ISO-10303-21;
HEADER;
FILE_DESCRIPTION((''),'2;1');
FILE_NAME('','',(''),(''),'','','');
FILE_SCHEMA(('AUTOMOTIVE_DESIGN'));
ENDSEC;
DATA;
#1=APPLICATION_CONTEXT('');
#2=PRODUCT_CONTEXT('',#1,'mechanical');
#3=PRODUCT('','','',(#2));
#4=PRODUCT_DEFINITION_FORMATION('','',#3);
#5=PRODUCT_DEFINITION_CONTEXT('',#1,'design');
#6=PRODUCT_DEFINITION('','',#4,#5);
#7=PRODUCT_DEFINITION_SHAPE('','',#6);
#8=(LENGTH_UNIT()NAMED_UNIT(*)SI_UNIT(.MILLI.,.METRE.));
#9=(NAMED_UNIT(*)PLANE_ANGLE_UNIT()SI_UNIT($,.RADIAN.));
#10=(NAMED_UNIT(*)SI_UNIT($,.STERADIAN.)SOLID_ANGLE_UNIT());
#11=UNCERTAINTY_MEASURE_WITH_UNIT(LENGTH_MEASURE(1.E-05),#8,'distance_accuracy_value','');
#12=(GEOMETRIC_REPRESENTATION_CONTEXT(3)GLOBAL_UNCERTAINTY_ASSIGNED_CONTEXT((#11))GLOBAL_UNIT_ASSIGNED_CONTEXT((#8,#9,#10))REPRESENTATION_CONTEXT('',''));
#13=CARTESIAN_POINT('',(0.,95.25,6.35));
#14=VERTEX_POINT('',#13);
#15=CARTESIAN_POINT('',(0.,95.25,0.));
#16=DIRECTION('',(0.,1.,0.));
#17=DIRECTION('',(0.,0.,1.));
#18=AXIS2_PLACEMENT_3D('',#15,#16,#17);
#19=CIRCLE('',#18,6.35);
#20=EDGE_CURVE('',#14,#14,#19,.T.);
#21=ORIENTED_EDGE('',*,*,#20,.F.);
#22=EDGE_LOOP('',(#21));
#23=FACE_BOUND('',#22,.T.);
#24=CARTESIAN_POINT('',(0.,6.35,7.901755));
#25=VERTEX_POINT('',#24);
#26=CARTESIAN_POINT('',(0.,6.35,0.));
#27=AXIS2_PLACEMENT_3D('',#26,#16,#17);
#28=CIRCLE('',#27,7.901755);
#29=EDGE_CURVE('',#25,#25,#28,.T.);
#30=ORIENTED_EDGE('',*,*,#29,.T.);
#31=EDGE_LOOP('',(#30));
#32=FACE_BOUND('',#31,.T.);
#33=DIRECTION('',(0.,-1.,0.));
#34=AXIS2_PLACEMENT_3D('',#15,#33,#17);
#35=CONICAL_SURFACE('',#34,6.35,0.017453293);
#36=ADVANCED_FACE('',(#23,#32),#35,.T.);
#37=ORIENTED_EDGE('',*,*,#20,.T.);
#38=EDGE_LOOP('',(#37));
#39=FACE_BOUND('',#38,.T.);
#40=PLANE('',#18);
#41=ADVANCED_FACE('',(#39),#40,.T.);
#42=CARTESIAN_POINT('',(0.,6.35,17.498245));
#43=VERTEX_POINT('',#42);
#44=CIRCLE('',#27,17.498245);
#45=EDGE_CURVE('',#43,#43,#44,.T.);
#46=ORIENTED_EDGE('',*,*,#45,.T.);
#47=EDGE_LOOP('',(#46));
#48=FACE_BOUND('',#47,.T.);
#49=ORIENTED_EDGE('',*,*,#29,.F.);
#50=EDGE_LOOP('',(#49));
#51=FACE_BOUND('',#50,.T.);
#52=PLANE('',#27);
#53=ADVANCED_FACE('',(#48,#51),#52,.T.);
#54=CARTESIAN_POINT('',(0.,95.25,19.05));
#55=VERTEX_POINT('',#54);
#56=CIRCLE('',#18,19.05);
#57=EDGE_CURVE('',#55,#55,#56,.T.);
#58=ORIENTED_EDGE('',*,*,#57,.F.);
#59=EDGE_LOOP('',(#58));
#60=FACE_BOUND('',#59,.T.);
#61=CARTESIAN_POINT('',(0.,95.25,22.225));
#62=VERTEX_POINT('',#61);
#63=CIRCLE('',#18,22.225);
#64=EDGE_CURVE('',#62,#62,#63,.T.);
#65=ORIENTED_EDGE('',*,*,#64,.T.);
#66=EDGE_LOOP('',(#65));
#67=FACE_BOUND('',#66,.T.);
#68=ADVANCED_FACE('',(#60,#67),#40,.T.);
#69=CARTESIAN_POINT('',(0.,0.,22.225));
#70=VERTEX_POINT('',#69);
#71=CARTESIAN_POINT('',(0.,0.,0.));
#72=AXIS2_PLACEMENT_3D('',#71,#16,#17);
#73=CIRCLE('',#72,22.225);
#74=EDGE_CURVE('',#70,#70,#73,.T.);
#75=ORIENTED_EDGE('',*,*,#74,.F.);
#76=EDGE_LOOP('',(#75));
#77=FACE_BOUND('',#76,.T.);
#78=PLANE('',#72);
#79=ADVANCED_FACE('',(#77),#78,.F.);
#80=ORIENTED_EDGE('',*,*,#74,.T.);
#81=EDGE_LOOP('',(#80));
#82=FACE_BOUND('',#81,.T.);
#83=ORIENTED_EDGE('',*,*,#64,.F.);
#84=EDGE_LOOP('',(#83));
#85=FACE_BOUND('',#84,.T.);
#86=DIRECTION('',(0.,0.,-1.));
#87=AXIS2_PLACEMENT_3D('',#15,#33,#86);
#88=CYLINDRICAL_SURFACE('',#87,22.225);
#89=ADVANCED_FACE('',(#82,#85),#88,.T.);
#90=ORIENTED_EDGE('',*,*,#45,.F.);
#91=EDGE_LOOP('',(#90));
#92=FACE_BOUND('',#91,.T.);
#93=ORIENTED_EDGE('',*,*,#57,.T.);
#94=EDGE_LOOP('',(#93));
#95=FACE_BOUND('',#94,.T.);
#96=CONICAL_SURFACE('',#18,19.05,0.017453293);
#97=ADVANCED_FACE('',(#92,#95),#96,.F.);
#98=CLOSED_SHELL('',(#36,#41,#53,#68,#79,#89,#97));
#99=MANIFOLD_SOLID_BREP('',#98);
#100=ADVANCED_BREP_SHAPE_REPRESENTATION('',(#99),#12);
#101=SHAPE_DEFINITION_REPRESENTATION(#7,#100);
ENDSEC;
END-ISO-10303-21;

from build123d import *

# Parameters (mm, degrees)
SKETCH1_R           = 22.225
BOSS_EXTRUDE1_DEPTH = 95.25
SKETCH6_R           = 19.05
SKETCH6_R_2         = 6.35
CUT_EXTRUDE1_DEPTH  = 88.9
CUT_EXTRUDE1_DRAFT  = -1


with BuildPart() as part:
    # Sketch1 → Boss-Extrude1 (new body)
    with BuildSketch(Plane(origin=(0, 0, 0), x_dir=(1, 0, 0), z_dir=(0, 1, 0))):
        with Locations(Location((0, 0, 0), (0, 0, 270))):
            Circle(SKETCH1_R)
    extrude(amount=BOSS_EXTRUDE1_DEPTH)


with BuildPart() as cut_extrude1_tool:
    # Sketch6 → Cut-Extrude1 (with draft: the straight prism first)
    with BuildSketch(Plane(origin=(0, 95.25, 0), x_dir=(1, 0, 0), z_dir=(0, 1, 0))):
        Circle(SKETCH6_R)
        Circle(SKETCH6_R_2, mode=Mode.SUBTRACT)
    extrude(amount=-CUT_EXTRUDE1_DEPTH)
    # Cut-Extrude1: the draft: its side faces are tilted about the plane it starts from
    cut_extrude1_sides = [cut_extrude1_tool.faces().sort_by_distance(p)[0] for p in [
        (-19.05, 50.8, 0),
        (-6.35, 50.8, 0),
    ]]
    draft(cut_extrude1_sides, Plane(origin=(0, 95.25, 0), x_dir=(1, 0, 0), z_dir=(0, 1, 0)), CUT_EXTRUDE1_DRAFT)


with BuildPart() as part_1:
    add(part.part)

    # Cut-Extrude1: cut by cut_extrude1_tool
    add(cut_extrude1_tool.part, mode=Mode.SUBTRACT)


solid = part_1.part
